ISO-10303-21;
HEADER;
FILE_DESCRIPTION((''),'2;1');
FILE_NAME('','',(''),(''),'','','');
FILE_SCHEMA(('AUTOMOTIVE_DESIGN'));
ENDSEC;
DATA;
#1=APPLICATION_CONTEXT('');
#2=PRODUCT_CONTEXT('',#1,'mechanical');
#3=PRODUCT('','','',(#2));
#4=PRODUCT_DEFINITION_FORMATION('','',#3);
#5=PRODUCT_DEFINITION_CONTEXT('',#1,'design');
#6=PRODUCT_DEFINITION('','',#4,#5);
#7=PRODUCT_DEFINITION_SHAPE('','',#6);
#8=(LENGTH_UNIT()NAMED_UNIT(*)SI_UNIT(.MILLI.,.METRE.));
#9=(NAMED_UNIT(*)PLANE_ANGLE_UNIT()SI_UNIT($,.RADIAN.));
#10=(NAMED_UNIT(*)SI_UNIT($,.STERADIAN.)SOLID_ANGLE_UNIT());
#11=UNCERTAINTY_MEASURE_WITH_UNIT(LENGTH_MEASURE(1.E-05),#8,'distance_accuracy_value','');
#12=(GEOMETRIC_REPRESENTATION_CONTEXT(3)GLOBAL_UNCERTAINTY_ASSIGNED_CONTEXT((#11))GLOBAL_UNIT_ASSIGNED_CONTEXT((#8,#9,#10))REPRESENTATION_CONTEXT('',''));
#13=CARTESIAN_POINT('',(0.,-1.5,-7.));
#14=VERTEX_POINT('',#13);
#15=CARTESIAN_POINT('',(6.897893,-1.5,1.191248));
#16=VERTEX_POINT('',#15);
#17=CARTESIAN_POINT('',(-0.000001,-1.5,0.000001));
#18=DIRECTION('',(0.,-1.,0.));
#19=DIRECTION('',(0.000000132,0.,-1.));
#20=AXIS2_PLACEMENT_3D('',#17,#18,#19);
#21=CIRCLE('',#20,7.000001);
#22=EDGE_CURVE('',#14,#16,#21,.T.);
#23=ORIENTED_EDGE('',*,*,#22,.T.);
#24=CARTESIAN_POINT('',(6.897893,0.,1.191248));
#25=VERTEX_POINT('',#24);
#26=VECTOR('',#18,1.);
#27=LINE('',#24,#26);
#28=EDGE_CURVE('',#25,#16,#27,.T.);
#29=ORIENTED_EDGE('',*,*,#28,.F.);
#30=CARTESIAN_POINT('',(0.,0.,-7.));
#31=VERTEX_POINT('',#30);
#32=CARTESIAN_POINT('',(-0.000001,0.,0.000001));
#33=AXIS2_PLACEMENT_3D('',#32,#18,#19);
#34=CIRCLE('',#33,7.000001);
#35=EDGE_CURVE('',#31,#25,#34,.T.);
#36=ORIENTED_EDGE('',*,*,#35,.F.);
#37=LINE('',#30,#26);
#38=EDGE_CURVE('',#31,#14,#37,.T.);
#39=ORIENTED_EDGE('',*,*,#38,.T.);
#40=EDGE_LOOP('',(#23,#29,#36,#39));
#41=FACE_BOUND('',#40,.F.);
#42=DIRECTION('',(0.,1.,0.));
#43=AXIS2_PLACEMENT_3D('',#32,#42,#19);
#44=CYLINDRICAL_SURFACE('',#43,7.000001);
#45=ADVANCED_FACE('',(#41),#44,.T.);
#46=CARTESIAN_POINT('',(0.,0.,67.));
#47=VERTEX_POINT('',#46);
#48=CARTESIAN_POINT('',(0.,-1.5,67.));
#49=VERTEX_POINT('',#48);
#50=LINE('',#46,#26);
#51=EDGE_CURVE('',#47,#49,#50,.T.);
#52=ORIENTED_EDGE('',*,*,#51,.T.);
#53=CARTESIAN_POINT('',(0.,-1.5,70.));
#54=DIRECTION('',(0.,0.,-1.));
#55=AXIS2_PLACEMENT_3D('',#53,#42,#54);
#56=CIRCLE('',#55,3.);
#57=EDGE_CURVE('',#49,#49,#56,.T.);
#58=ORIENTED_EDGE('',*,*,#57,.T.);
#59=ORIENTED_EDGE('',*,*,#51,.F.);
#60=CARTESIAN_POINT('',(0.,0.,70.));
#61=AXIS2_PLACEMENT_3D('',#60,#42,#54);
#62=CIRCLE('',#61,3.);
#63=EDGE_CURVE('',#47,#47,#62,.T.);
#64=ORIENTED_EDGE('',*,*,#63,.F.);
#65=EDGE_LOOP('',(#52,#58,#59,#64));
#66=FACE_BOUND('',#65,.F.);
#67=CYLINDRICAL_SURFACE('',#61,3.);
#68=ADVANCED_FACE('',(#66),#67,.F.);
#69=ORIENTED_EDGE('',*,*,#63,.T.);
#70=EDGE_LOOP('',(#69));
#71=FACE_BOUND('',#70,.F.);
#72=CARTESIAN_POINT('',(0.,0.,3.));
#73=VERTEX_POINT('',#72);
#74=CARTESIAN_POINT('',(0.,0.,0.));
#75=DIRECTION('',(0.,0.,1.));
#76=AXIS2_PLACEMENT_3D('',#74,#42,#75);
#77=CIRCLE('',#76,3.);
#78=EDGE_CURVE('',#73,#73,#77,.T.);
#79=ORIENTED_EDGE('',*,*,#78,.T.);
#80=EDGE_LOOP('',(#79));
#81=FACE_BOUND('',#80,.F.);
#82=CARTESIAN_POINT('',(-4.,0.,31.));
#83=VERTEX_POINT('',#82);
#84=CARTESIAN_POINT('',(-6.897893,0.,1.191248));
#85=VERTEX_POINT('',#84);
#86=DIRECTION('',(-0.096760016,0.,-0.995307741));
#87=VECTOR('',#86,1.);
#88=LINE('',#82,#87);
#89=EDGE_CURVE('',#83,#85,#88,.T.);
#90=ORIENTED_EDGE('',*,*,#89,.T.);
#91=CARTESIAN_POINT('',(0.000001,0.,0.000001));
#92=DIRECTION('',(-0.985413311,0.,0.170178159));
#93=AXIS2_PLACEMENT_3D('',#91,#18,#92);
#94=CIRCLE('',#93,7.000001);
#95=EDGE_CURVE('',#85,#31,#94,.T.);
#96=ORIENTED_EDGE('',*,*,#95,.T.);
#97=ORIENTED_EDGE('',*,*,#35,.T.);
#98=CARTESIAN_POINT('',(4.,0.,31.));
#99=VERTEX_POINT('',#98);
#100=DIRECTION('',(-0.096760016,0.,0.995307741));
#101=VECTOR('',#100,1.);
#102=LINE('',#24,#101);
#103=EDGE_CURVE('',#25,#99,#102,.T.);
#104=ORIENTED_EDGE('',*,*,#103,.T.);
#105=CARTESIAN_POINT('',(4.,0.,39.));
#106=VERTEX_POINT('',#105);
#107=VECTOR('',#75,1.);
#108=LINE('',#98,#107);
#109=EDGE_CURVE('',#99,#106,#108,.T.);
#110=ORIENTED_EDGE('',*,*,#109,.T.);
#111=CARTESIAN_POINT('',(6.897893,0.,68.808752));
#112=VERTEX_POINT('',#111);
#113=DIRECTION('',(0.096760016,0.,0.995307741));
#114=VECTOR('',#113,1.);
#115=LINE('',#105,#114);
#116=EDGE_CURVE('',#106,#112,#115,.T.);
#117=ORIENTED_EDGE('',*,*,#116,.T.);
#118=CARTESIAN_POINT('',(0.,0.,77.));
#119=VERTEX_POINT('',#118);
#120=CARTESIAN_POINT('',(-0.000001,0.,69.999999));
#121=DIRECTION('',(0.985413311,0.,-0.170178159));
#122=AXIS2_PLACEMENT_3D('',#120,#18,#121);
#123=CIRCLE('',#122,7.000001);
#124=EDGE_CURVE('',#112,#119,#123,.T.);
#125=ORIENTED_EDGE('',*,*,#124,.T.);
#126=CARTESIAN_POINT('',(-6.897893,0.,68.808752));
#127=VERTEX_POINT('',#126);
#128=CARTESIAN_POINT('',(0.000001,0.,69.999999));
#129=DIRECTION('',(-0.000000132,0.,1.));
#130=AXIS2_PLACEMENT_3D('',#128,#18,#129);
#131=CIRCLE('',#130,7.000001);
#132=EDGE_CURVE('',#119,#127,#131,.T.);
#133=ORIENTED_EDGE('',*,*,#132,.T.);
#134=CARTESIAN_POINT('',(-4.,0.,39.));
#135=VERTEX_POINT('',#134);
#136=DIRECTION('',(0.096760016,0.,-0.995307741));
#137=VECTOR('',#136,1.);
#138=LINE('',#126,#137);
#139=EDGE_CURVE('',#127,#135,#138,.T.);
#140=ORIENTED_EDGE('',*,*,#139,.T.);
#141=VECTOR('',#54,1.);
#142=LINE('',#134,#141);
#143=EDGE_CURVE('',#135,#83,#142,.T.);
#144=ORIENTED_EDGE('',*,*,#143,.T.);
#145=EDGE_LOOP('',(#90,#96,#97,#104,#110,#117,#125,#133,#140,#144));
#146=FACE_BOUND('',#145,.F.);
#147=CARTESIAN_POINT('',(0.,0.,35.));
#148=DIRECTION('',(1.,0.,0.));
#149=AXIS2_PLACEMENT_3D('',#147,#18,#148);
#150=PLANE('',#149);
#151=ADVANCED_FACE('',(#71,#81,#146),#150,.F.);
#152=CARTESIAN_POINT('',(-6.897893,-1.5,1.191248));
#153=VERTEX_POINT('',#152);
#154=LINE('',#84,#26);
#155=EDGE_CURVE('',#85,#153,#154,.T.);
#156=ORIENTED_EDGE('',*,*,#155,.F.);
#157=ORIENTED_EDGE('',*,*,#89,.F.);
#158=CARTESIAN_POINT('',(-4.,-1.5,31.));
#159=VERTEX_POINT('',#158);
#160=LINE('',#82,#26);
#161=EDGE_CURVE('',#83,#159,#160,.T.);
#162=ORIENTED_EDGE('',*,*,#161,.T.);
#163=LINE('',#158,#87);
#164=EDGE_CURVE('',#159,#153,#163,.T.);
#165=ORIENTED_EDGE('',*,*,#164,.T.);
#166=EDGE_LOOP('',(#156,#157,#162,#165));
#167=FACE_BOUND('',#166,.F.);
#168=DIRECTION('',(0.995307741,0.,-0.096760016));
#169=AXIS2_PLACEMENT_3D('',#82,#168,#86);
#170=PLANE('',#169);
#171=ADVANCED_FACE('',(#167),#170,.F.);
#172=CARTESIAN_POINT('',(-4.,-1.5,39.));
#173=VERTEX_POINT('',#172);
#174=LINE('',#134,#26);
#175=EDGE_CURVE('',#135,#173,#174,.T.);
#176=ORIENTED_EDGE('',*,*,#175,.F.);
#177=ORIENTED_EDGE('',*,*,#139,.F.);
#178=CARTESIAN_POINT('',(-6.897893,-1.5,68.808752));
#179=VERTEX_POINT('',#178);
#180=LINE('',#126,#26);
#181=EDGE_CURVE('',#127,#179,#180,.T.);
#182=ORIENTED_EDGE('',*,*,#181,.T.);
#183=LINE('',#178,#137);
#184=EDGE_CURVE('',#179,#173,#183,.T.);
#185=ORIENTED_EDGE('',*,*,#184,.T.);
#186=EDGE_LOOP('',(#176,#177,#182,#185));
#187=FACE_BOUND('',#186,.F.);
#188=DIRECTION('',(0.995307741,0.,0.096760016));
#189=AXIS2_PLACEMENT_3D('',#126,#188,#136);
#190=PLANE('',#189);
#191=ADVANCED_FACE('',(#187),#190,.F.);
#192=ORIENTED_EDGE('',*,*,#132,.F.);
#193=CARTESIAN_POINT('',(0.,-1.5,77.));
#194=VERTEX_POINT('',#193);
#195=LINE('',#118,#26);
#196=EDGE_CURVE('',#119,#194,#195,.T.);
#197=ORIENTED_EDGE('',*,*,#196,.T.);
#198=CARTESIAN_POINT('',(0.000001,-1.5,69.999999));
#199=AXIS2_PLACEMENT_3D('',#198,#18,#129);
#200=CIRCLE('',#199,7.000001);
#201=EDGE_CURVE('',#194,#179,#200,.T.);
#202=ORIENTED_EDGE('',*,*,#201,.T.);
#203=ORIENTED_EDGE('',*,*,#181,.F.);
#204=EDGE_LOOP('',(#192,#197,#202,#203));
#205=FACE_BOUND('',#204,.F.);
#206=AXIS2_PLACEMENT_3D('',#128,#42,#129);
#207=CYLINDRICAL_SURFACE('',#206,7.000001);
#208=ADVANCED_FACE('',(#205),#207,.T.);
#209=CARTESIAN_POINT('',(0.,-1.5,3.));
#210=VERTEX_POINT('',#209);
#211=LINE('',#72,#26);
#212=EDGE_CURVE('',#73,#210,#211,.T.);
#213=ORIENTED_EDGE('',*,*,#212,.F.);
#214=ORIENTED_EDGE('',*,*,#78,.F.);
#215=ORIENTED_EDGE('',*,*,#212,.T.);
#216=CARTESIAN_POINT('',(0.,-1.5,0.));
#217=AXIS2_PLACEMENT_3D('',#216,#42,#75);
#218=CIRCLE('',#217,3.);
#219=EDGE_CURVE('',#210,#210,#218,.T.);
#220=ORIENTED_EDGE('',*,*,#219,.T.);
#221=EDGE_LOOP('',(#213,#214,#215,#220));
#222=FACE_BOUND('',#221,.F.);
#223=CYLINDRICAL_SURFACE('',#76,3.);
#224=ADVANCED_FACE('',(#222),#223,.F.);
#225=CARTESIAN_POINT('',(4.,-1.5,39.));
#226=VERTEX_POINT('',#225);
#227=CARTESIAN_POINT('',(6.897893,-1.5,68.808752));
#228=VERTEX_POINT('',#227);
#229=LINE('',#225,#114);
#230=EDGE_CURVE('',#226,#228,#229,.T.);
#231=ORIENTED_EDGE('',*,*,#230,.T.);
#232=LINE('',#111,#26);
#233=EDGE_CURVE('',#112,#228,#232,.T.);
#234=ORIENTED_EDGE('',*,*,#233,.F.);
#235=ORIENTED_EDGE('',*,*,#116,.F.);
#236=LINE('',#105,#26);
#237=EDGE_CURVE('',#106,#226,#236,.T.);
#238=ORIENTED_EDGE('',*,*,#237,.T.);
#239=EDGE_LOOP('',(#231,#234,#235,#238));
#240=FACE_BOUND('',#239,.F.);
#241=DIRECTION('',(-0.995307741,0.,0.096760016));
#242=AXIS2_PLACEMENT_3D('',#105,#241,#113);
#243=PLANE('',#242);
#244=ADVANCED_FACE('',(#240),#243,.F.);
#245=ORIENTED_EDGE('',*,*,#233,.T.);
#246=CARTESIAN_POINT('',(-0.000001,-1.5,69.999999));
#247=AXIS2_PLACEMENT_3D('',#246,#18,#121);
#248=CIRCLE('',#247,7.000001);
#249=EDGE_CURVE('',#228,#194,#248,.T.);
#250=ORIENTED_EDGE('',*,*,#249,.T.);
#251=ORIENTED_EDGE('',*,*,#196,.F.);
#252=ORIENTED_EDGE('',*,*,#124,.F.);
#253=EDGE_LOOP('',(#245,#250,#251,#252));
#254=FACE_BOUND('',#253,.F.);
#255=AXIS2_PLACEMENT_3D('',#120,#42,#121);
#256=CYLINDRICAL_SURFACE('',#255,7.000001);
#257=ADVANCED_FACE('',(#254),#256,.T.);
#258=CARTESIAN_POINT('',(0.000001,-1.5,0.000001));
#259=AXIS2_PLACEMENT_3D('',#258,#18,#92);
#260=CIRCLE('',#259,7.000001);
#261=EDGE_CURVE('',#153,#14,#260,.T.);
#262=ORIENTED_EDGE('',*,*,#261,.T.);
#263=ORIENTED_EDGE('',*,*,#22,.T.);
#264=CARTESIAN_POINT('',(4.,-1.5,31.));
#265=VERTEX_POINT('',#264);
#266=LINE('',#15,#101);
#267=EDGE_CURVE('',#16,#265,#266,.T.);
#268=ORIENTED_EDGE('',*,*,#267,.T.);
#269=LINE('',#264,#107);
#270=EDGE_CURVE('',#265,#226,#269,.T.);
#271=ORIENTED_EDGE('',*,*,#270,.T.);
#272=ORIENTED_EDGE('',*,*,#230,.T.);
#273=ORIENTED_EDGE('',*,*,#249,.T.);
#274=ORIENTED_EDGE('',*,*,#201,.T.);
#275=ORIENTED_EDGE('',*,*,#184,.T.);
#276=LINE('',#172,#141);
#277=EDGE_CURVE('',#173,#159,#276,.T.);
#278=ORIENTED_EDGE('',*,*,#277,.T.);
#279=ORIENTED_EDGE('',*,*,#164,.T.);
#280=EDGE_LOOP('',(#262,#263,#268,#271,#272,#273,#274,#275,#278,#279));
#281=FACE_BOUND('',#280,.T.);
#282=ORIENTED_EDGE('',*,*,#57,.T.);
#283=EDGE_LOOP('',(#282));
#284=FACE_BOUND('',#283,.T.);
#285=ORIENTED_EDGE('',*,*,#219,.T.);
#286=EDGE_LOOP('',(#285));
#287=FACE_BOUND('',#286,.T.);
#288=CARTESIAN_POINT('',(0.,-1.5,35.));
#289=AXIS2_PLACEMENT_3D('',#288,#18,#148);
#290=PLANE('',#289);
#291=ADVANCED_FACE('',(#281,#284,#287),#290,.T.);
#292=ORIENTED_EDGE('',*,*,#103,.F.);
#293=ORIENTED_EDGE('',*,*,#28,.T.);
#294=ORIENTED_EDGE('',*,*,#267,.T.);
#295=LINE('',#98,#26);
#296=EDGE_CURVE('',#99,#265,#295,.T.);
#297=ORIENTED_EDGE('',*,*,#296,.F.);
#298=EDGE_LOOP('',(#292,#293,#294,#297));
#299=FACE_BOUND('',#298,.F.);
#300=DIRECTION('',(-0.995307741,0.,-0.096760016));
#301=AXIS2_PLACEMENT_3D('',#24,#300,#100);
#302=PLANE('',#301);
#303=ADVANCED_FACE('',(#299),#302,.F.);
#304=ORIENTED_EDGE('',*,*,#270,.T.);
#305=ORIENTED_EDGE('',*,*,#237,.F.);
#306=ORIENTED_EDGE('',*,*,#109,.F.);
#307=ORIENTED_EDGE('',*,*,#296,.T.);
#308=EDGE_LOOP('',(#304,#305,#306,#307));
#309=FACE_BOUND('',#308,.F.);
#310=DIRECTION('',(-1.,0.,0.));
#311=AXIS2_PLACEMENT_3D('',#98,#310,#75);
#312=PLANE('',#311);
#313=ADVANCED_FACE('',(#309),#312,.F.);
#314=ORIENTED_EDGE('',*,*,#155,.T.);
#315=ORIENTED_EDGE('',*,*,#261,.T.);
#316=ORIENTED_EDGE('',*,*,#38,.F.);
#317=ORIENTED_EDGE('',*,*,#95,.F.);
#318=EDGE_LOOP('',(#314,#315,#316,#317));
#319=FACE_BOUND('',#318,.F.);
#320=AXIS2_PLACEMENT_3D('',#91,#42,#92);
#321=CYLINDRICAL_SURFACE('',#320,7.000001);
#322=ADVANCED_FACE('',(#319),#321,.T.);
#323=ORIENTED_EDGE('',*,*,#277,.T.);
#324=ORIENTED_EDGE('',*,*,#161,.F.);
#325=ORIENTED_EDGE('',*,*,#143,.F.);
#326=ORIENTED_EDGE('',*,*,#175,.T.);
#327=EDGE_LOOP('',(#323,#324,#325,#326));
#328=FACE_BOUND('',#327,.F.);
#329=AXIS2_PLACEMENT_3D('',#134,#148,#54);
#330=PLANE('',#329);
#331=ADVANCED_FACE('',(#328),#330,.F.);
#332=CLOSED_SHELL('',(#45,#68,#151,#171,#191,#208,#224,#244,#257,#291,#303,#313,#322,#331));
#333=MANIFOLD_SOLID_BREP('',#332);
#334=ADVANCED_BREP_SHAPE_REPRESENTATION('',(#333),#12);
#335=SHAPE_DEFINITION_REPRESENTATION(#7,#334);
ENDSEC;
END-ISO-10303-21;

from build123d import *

# Parameters (mm, degrees)
F1_DEPTH = 1.5


with BuildPart() as f1:
    # F0 (on Front) → F1 (new body)
    with BuildSketch(Plane.XZ):
        with BuildLine():
            Line((-4, 31), (-6.897893, 1.191248))
            ThreePointArc((-6.897893, 1.191248), (-5.354378, -4.50895), (0, -7))
            ThreePointArc((0, -7), (5.354378, -4.50895), (6.897893, 1.191248))
            Line((6.897893, 1.191248), (4, 31))
            Line((4, 31), (4, 35))
            Line((4, 35), (4, 39))
            Line((4, 39), (6.897893, 68.808752))
            ThreePointArc((6.897893, 68.808752), (5.354378, 74.50895), (0, 77))
            ThreePointArc((0, 77), (-5.354378, 74.50895), (-6.897893, 68.808752))
            Line((-6.897893, 68.808752), (-4, 39))
            Line((-4, 39), (-4, 35))
            Line((-4, 35), (-4, 31))
        make_face()
        with BuildLine():
            ThreePointArc((0, -3), (-3, 0), (0, 3))
            ThreePointArc((0, 3), (3, 0), (0, -3))
        make_face(mode=Mode.SUBTRACT)
        with BuildLine():
            ThreePointArc((0, 73), (3, 70), (0, 67))
            ThreePointArc((0, 67), (-3, 70), (0, 73))
        make_face(mode=Mode.SUBTRACT)
    extrude(amount=F1_DEPTH)


solid = f1.part
